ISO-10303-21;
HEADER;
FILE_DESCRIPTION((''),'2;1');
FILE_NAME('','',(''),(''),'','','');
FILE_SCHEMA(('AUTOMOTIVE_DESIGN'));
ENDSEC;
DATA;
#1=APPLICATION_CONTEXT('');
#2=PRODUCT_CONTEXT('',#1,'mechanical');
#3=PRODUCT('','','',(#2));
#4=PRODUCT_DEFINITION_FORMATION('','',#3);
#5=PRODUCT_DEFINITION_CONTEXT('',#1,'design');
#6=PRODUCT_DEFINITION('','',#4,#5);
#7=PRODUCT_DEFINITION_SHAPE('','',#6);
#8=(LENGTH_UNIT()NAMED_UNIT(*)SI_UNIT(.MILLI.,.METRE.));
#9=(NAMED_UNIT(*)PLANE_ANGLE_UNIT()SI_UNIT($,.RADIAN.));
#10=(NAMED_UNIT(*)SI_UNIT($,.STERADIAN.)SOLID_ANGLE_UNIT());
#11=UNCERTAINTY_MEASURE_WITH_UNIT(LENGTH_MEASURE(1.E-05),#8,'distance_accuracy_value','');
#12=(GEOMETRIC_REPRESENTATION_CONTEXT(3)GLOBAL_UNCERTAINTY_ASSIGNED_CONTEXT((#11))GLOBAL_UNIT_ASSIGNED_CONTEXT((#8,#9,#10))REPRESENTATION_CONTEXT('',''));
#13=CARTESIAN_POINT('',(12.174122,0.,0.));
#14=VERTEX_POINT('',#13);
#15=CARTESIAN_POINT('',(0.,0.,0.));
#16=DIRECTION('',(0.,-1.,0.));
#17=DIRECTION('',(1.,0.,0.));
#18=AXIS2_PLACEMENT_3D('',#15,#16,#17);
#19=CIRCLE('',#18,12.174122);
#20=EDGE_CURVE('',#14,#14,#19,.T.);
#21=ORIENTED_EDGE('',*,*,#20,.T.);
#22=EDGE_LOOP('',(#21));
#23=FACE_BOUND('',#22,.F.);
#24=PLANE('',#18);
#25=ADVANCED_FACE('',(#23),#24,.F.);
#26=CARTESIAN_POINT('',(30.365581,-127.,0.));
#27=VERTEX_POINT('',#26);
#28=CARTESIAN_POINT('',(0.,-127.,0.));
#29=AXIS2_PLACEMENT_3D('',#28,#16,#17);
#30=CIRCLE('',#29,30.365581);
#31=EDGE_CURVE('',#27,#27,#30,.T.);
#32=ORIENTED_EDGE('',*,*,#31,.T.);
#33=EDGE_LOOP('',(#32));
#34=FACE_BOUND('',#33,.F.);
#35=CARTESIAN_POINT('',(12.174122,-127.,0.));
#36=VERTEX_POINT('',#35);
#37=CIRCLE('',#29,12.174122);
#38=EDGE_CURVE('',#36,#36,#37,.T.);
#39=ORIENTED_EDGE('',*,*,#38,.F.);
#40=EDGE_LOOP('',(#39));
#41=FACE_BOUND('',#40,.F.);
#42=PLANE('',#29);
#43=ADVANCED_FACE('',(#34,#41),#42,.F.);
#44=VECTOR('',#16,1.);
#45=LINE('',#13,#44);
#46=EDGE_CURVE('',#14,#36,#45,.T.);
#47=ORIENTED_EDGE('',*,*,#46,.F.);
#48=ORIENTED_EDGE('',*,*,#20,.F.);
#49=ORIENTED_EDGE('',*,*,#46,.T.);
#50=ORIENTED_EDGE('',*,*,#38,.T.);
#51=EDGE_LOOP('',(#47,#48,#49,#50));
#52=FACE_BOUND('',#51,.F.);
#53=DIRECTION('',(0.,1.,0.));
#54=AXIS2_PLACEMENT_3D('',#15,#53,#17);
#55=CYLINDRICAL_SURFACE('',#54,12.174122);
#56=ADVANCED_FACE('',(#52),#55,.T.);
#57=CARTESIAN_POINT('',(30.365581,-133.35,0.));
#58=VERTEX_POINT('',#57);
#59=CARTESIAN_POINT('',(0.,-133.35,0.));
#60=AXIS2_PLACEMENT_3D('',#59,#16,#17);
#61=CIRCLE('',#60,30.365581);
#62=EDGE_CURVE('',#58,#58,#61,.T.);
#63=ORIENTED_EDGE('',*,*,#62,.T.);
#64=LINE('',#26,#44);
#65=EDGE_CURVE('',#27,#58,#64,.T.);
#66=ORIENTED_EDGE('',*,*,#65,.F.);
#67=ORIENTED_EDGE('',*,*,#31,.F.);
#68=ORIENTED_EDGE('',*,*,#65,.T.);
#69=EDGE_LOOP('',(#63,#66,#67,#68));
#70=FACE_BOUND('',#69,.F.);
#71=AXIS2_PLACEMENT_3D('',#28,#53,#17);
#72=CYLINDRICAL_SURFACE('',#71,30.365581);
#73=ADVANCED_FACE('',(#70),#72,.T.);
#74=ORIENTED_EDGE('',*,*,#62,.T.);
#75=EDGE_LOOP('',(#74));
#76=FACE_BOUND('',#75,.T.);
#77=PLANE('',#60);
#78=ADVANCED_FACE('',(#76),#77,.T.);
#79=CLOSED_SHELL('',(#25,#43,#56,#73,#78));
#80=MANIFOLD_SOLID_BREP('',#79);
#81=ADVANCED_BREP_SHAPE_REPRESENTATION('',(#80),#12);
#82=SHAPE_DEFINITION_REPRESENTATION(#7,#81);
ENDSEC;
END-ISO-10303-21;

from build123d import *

# Parameters (mm, degrees)
F0_R     = 12.174122
F1_DEPTH = 127
F2_R     = 30.365581
F2_R_2   = 12.174122
F3_DEPTH = 6.35


with BuildPart() as f1:
    # F0 (on Front) → F1 (new body)
    with BuildSketch(Plane.XZ):
        Circle(F0_R)
    extrude(amount=F1_DEPTH)

    # F2 (on face) → F3 (join)
    with BuildSketch(Plane.XZ.offset(127)):
        Circle(F2_R)
        Circle(F2_R_2)
    extrude(amount=F3_DEPTH)


solid = f1.part
